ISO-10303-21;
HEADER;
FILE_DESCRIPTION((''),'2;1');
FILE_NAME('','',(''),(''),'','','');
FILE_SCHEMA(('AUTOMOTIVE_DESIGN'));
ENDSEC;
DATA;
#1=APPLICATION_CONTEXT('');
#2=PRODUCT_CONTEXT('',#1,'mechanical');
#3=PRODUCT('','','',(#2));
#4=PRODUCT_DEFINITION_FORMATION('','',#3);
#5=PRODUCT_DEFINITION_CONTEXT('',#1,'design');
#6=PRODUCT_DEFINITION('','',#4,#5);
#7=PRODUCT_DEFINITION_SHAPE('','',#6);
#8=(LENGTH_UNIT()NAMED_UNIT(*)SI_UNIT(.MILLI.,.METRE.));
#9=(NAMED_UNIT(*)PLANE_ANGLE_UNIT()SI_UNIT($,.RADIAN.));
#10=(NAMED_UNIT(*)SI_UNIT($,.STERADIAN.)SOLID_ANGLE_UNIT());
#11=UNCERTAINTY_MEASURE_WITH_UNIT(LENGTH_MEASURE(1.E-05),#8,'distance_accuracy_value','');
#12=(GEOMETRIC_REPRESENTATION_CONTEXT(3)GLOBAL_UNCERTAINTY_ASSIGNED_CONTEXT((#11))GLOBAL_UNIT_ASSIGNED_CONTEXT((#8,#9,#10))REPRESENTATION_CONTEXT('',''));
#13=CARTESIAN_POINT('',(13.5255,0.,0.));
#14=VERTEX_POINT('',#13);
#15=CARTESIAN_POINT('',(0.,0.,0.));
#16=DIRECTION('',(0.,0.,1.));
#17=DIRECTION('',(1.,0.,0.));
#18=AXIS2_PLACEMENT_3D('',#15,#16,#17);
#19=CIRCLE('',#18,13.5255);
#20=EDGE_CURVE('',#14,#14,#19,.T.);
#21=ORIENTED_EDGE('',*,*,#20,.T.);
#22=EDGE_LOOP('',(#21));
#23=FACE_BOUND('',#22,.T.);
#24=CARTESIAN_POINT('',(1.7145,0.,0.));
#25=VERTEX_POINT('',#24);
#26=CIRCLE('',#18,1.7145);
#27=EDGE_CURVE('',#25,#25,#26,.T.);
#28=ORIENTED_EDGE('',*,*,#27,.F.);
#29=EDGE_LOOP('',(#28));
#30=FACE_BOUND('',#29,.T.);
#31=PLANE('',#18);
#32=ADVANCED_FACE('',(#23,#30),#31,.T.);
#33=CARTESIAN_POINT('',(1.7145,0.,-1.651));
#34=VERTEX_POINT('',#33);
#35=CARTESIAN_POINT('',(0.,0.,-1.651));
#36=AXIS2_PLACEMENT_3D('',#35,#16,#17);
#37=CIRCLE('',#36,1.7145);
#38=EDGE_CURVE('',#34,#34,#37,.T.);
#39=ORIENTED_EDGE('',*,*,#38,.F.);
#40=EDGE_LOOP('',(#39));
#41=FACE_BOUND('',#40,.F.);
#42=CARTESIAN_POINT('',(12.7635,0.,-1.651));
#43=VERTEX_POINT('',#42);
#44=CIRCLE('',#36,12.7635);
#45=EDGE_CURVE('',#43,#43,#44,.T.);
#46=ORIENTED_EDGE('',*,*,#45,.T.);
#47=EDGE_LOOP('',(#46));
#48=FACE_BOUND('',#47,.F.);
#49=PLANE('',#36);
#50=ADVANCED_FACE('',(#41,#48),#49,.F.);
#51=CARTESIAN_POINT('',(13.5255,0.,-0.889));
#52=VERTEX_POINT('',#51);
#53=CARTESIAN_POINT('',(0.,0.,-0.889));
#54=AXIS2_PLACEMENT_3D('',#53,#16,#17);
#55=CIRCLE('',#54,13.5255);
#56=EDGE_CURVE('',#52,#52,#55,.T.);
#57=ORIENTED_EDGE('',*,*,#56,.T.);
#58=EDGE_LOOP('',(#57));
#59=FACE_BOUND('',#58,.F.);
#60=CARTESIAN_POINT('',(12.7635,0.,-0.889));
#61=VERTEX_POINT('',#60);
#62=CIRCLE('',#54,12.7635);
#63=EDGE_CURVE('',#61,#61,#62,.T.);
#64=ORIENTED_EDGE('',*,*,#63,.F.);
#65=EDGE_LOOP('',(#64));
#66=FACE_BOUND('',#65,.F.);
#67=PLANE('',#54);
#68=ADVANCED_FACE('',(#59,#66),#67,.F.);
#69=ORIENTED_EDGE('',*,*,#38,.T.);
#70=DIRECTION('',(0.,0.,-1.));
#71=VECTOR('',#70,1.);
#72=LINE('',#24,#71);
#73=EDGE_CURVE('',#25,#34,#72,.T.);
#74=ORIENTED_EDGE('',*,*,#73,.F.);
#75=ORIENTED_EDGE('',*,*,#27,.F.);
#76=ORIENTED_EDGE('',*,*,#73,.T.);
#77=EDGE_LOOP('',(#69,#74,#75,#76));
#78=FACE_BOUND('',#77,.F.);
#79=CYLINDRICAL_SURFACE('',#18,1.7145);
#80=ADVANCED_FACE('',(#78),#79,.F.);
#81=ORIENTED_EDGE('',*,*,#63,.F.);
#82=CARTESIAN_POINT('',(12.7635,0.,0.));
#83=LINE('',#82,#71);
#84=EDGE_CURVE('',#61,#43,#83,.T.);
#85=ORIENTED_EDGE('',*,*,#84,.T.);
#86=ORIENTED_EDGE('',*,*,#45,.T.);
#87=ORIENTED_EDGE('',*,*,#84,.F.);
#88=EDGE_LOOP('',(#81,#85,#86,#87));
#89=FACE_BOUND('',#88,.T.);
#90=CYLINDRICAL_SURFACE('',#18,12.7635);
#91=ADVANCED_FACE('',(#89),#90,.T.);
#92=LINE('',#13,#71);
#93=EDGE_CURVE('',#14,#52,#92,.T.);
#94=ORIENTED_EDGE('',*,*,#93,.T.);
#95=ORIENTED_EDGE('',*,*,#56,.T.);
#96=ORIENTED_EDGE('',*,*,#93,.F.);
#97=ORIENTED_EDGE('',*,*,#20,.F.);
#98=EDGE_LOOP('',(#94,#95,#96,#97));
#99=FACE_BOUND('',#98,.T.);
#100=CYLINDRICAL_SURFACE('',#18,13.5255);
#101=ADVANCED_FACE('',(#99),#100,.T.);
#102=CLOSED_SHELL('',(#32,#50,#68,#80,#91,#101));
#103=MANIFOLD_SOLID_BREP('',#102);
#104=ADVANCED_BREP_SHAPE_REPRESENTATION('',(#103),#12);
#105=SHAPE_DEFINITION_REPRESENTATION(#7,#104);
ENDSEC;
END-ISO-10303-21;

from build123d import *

# Parameters (mm, degrees)
F0_R     = 13.5255
F1_DEPTH = 0.889
F2_R     = 12.7635
F3_DEPTH = 1.651
F4_R     = 1.7145
F5_DEPTH = 1.652


with BuildPart() as f1:
    # F0 (on Top) → F1 (new body)
    with BuildSketch(Plane.XY):
        Circle(F0_R)
    extrude(amount=-F1_DEPTH)

    # F2 (on face) → F3 (join)
    with BuildSketch(Plane.XY):
        Circle(F2_R)
    extrude(amount=-F3_DEPTH)

    # F4 (on face) → F5 (cut, through all)
    with BuildSketch(Plane.XY):
        Circle(F4_R)
    extrude(amount=-F5_DEPTH, mode=Mode.SUBTRACT)


solid = f1.part
